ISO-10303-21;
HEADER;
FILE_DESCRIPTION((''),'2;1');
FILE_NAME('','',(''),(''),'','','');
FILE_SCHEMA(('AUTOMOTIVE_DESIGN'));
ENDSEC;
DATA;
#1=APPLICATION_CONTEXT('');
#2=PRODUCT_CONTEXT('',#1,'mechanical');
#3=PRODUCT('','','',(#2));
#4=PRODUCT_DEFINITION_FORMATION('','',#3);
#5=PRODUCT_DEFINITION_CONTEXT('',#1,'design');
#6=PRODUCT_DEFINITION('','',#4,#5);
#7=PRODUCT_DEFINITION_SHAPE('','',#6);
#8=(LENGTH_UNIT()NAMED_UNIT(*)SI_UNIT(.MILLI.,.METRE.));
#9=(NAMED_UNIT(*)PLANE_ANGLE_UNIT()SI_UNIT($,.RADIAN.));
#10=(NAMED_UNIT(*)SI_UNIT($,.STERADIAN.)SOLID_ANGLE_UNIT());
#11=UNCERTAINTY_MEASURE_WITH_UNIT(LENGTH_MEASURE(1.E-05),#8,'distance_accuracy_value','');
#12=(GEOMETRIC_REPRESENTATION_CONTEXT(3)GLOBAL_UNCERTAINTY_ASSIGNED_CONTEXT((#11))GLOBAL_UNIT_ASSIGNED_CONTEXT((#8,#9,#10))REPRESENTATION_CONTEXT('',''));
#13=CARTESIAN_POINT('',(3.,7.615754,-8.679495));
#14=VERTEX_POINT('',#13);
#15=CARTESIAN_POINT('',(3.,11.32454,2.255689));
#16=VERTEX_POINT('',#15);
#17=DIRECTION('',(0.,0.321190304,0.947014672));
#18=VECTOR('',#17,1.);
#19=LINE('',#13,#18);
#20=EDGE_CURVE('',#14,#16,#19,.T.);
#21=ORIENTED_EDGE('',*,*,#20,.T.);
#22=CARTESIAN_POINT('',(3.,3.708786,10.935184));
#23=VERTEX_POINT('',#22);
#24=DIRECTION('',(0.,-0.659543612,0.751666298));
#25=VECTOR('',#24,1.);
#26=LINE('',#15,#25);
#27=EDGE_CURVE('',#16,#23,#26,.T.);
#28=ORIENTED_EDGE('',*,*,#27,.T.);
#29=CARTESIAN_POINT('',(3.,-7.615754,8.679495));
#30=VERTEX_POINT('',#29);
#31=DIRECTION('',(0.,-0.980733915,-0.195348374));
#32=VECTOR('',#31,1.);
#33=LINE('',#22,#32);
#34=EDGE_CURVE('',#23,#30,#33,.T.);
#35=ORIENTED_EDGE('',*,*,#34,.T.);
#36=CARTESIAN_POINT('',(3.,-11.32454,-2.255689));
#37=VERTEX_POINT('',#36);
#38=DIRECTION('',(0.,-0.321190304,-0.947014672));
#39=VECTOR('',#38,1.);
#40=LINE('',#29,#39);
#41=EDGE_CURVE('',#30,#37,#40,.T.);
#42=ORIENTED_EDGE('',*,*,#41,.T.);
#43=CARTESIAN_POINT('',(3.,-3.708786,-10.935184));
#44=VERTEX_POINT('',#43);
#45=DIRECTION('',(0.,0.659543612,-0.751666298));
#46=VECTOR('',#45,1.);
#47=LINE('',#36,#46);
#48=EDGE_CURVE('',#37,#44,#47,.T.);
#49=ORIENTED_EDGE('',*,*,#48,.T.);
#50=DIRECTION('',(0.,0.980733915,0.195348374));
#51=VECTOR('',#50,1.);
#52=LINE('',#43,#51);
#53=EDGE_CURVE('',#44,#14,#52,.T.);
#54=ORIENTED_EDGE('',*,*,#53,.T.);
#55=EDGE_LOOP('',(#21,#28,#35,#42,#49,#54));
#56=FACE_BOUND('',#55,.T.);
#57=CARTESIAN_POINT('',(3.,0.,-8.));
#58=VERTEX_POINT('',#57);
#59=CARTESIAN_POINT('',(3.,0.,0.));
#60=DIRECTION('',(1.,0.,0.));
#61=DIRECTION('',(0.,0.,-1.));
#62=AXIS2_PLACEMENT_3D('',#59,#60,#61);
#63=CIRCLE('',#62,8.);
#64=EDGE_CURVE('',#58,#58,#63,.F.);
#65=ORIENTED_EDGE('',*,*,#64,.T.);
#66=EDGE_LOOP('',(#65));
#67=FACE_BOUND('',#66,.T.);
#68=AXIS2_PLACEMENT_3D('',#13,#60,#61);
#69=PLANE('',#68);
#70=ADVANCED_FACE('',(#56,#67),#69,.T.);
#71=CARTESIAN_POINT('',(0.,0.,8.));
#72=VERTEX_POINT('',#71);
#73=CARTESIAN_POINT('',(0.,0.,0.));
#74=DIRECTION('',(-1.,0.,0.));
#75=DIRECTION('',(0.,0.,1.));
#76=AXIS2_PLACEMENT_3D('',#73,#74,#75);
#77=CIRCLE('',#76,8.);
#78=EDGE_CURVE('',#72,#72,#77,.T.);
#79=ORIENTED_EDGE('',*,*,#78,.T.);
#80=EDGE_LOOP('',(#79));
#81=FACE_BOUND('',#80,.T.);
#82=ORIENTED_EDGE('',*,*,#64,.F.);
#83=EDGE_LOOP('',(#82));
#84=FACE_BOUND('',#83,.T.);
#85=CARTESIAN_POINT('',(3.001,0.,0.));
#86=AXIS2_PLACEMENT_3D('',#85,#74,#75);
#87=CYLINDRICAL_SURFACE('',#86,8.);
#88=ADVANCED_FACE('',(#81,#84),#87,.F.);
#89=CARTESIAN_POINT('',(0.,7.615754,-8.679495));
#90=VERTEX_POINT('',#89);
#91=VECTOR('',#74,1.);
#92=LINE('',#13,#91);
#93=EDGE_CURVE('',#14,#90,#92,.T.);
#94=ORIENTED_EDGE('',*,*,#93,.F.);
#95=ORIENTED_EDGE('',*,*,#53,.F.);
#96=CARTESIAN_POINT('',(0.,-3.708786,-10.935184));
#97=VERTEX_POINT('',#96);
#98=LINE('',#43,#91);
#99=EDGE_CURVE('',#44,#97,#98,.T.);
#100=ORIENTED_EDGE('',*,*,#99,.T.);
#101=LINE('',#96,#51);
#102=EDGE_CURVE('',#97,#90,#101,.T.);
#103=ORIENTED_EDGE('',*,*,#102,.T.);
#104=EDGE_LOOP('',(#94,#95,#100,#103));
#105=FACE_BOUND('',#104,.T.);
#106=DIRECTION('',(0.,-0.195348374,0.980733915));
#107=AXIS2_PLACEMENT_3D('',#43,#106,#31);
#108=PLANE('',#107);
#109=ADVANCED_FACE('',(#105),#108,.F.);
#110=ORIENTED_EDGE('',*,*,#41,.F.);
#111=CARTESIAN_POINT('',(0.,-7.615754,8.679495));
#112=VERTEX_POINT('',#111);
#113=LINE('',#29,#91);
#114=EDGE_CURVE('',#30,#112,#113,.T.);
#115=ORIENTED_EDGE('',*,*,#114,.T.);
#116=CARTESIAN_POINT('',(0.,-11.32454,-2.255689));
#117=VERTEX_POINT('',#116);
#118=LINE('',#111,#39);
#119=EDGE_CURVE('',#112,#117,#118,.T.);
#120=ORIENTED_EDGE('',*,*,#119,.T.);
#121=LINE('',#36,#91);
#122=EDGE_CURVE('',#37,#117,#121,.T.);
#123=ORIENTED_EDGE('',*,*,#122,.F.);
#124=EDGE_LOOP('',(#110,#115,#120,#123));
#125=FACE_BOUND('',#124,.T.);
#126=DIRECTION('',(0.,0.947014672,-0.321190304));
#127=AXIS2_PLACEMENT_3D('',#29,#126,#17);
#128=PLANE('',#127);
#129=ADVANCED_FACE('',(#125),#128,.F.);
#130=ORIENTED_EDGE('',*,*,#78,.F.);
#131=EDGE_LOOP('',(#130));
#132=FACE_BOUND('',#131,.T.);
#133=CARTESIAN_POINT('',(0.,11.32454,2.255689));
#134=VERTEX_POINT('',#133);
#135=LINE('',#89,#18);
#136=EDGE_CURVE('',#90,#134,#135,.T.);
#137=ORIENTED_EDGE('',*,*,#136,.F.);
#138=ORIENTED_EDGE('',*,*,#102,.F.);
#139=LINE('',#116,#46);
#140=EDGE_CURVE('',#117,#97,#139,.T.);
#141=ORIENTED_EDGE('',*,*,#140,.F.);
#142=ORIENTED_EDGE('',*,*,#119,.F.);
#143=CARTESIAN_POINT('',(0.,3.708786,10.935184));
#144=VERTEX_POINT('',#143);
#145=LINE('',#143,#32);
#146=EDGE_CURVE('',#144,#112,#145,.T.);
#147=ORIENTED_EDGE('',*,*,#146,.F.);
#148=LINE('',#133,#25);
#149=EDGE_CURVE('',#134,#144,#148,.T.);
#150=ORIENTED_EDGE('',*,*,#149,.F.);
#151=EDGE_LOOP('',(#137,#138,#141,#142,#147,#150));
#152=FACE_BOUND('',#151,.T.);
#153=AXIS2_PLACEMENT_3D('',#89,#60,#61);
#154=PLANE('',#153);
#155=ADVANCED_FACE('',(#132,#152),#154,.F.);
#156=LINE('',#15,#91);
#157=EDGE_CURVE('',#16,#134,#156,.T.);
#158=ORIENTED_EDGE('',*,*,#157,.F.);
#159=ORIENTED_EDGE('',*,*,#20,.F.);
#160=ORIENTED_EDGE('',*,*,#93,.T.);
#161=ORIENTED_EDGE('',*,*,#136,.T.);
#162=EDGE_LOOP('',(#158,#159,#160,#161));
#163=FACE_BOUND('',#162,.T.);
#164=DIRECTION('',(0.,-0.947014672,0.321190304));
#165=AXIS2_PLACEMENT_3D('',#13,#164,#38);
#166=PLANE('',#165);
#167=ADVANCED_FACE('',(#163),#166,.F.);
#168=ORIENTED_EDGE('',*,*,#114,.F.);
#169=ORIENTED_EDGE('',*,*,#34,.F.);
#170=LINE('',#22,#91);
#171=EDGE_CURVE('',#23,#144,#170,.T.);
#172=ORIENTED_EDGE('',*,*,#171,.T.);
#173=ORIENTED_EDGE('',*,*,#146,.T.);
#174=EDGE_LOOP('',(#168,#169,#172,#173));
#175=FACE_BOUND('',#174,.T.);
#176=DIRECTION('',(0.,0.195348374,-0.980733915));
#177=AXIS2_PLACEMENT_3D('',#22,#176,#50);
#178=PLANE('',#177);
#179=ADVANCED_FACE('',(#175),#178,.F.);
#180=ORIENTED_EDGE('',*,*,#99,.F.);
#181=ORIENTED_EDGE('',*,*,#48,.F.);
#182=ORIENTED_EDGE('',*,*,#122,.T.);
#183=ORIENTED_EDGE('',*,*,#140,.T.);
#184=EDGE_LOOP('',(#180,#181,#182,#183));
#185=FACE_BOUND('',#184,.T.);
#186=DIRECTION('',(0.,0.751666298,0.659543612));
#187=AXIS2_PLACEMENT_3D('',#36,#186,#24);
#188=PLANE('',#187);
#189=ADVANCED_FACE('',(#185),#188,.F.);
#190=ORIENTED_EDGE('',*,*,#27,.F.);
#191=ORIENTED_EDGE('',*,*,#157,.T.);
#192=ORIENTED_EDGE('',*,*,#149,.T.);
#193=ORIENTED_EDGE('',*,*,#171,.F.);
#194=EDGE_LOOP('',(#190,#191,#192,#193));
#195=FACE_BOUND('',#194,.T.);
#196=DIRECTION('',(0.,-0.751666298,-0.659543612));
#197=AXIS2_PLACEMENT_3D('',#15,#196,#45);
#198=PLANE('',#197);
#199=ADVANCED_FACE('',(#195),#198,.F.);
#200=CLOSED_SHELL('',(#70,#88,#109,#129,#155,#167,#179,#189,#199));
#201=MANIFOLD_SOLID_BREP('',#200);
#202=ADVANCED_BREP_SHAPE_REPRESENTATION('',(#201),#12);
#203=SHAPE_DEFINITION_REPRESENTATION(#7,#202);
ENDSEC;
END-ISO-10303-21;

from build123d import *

# Parameters (mm, degrees)
BOSS_EXTRUDE1_DEPTH = 3
CUT_EXTRUDE1_REACH  = 5
SKETCH3_R           = 8


with BuildPart() as part:
    # Sketch2 → Boss-Extrude1 (new body)
    with BuildSketch(Plane(origin=(0, 0, 0), x_dir=(0, 0, -1), z_dir=(1, 0, 0))):
        Polygon((8.679494794, 7.615753637), (-2.255688722, 11.324539802), (-10.935183515, 3.708786165), (-8.679494794, -7.615753637), (2.255688722, -11.324539802), (10.935183515, -3.708786165), align=None)
    extrude(amount=BOSS_EXTRUDE1_DEPTH)

    # Sketch3 → Cut-Extrude1 (cut, up to next)
    with BuildSketch(Plane.ZY, mode=Mode.PRIVATE) as cut_extrude1_sk1:
        Circle(SKETCH3_R)
    cut_extrude1_tool1 = extrude(cut_extrude1_sk1.sketch, amount=-CUT_EXTRUDE1_REACH, mode=Mode.PRIVATE) & part.part
    add(cut_extrude1_tool1.solids().sort_by_distance((0, 0, 0))[0], mode=Mode.SUBTRACT)


solid = part.part
